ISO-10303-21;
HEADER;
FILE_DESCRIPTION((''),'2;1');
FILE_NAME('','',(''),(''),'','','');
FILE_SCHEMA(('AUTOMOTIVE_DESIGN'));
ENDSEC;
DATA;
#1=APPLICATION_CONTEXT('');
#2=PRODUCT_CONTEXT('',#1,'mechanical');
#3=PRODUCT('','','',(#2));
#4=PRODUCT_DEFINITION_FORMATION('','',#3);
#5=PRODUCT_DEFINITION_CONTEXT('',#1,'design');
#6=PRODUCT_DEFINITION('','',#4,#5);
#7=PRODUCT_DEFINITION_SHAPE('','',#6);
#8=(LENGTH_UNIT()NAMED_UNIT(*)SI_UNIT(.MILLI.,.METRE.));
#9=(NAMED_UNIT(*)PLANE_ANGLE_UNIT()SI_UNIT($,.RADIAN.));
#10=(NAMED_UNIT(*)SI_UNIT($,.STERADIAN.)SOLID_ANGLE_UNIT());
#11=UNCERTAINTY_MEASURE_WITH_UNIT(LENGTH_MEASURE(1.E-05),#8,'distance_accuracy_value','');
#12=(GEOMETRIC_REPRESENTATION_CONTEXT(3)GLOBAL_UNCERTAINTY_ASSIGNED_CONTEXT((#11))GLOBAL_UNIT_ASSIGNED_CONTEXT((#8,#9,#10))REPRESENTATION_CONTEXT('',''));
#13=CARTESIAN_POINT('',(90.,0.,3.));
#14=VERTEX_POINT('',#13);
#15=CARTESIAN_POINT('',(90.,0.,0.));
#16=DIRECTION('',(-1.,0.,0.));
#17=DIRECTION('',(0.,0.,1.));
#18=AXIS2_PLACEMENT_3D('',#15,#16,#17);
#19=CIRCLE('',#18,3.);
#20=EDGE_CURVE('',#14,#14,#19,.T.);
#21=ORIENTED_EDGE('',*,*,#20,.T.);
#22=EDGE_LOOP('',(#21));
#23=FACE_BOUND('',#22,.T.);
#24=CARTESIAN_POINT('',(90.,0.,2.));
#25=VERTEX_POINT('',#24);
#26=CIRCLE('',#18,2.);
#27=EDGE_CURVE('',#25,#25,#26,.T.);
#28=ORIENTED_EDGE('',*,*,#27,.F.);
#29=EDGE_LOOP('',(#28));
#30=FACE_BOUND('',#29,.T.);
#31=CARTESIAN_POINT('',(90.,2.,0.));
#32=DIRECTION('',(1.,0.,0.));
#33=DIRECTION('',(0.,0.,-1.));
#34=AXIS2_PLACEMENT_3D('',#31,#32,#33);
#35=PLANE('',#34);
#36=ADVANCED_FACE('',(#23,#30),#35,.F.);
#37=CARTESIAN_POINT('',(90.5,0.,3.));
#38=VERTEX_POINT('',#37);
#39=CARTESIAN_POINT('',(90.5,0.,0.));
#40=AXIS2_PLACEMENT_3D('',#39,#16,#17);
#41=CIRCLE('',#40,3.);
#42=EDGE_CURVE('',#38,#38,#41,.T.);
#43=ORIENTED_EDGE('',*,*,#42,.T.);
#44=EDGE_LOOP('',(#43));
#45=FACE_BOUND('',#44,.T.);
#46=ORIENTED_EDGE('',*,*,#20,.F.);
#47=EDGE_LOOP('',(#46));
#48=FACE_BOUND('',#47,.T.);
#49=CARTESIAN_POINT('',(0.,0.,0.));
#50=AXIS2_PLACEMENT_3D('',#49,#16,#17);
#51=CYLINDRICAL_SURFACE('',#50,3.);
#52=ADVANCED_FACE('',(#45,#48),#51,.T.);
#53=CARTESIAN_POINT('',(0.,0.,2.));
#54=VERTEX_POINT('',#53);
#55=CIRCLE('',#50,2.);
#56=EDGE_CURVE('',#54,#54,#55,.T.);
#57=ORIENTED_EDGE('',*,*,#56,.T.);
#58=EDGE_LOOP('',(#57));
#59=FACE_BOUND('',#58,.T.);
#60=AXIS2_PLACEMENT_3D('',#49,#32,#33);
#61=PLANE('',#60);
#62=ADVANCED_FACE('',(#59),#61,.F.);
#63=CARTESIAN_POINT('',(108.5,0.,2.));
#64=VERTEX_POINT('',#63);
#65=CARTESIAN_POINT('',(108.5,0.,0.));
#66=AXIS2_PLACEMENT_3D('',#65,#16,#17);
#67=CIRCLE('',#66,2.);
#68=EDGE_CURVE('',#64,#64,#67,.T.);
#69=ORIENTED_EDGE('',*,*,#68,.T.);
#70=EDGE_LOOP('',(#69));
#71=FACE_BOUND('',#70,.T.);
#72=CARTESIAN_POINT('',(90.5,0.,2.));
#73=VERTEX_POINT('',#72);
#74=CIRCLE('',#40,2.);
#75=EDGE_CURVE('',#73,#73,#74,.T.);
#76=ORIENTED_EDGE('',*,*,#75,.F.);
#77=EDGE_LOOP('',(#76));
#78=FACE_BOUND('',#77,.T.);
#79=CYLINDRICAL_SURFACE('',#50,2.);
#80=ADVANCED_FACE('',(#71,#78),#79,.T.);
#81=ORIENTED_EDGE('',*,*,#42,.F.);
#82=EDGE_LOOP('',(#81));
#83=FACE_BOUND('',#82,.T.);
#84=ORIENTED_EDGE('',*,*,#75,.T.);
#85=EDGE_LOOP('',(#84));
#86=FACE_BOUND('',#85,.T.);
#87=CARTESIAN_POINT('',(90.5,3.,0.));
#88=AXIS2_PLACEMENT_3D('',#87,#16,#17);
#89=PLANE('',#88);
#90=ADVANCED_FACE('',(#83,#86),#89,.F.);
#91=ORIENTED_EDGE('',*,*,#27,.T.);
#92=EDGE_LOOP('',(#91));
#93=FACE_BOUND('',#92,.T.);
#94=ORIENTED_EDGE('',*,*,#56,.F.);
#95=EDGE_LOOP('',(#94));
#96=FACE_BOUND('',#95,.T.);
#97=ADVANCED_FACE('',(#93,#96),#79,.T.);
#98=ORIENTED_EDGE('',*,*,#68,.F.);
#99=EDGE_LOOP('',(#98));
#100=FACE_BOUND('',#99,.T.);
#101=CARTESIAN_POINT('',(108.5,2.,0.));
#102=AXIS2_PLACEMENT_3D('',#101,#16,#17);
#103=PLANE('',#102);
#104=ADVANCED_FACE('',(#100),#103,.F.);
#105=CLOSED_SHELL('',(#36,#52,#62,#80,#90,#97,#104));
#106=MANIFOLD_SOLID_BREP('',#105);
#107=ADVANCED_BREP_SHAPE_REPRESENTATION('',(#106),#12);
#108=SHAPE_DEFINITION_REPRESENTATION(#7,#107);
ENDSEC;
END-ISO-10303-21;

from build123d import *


with BuildPart() as part:
    # Szkic1 → Obrót1 (revolve)
    with BuildSketch(Plane.XY):
        Polygon((0, 0), (0, 2), (90, 2), (90, 3), (90.5, 3), (90.5, 2), (108.5, 2), (108.5, 0), align=None)
    revolve(axis=Axis((0, 0, 0), (1, 0, 0)))


solid = part.part
